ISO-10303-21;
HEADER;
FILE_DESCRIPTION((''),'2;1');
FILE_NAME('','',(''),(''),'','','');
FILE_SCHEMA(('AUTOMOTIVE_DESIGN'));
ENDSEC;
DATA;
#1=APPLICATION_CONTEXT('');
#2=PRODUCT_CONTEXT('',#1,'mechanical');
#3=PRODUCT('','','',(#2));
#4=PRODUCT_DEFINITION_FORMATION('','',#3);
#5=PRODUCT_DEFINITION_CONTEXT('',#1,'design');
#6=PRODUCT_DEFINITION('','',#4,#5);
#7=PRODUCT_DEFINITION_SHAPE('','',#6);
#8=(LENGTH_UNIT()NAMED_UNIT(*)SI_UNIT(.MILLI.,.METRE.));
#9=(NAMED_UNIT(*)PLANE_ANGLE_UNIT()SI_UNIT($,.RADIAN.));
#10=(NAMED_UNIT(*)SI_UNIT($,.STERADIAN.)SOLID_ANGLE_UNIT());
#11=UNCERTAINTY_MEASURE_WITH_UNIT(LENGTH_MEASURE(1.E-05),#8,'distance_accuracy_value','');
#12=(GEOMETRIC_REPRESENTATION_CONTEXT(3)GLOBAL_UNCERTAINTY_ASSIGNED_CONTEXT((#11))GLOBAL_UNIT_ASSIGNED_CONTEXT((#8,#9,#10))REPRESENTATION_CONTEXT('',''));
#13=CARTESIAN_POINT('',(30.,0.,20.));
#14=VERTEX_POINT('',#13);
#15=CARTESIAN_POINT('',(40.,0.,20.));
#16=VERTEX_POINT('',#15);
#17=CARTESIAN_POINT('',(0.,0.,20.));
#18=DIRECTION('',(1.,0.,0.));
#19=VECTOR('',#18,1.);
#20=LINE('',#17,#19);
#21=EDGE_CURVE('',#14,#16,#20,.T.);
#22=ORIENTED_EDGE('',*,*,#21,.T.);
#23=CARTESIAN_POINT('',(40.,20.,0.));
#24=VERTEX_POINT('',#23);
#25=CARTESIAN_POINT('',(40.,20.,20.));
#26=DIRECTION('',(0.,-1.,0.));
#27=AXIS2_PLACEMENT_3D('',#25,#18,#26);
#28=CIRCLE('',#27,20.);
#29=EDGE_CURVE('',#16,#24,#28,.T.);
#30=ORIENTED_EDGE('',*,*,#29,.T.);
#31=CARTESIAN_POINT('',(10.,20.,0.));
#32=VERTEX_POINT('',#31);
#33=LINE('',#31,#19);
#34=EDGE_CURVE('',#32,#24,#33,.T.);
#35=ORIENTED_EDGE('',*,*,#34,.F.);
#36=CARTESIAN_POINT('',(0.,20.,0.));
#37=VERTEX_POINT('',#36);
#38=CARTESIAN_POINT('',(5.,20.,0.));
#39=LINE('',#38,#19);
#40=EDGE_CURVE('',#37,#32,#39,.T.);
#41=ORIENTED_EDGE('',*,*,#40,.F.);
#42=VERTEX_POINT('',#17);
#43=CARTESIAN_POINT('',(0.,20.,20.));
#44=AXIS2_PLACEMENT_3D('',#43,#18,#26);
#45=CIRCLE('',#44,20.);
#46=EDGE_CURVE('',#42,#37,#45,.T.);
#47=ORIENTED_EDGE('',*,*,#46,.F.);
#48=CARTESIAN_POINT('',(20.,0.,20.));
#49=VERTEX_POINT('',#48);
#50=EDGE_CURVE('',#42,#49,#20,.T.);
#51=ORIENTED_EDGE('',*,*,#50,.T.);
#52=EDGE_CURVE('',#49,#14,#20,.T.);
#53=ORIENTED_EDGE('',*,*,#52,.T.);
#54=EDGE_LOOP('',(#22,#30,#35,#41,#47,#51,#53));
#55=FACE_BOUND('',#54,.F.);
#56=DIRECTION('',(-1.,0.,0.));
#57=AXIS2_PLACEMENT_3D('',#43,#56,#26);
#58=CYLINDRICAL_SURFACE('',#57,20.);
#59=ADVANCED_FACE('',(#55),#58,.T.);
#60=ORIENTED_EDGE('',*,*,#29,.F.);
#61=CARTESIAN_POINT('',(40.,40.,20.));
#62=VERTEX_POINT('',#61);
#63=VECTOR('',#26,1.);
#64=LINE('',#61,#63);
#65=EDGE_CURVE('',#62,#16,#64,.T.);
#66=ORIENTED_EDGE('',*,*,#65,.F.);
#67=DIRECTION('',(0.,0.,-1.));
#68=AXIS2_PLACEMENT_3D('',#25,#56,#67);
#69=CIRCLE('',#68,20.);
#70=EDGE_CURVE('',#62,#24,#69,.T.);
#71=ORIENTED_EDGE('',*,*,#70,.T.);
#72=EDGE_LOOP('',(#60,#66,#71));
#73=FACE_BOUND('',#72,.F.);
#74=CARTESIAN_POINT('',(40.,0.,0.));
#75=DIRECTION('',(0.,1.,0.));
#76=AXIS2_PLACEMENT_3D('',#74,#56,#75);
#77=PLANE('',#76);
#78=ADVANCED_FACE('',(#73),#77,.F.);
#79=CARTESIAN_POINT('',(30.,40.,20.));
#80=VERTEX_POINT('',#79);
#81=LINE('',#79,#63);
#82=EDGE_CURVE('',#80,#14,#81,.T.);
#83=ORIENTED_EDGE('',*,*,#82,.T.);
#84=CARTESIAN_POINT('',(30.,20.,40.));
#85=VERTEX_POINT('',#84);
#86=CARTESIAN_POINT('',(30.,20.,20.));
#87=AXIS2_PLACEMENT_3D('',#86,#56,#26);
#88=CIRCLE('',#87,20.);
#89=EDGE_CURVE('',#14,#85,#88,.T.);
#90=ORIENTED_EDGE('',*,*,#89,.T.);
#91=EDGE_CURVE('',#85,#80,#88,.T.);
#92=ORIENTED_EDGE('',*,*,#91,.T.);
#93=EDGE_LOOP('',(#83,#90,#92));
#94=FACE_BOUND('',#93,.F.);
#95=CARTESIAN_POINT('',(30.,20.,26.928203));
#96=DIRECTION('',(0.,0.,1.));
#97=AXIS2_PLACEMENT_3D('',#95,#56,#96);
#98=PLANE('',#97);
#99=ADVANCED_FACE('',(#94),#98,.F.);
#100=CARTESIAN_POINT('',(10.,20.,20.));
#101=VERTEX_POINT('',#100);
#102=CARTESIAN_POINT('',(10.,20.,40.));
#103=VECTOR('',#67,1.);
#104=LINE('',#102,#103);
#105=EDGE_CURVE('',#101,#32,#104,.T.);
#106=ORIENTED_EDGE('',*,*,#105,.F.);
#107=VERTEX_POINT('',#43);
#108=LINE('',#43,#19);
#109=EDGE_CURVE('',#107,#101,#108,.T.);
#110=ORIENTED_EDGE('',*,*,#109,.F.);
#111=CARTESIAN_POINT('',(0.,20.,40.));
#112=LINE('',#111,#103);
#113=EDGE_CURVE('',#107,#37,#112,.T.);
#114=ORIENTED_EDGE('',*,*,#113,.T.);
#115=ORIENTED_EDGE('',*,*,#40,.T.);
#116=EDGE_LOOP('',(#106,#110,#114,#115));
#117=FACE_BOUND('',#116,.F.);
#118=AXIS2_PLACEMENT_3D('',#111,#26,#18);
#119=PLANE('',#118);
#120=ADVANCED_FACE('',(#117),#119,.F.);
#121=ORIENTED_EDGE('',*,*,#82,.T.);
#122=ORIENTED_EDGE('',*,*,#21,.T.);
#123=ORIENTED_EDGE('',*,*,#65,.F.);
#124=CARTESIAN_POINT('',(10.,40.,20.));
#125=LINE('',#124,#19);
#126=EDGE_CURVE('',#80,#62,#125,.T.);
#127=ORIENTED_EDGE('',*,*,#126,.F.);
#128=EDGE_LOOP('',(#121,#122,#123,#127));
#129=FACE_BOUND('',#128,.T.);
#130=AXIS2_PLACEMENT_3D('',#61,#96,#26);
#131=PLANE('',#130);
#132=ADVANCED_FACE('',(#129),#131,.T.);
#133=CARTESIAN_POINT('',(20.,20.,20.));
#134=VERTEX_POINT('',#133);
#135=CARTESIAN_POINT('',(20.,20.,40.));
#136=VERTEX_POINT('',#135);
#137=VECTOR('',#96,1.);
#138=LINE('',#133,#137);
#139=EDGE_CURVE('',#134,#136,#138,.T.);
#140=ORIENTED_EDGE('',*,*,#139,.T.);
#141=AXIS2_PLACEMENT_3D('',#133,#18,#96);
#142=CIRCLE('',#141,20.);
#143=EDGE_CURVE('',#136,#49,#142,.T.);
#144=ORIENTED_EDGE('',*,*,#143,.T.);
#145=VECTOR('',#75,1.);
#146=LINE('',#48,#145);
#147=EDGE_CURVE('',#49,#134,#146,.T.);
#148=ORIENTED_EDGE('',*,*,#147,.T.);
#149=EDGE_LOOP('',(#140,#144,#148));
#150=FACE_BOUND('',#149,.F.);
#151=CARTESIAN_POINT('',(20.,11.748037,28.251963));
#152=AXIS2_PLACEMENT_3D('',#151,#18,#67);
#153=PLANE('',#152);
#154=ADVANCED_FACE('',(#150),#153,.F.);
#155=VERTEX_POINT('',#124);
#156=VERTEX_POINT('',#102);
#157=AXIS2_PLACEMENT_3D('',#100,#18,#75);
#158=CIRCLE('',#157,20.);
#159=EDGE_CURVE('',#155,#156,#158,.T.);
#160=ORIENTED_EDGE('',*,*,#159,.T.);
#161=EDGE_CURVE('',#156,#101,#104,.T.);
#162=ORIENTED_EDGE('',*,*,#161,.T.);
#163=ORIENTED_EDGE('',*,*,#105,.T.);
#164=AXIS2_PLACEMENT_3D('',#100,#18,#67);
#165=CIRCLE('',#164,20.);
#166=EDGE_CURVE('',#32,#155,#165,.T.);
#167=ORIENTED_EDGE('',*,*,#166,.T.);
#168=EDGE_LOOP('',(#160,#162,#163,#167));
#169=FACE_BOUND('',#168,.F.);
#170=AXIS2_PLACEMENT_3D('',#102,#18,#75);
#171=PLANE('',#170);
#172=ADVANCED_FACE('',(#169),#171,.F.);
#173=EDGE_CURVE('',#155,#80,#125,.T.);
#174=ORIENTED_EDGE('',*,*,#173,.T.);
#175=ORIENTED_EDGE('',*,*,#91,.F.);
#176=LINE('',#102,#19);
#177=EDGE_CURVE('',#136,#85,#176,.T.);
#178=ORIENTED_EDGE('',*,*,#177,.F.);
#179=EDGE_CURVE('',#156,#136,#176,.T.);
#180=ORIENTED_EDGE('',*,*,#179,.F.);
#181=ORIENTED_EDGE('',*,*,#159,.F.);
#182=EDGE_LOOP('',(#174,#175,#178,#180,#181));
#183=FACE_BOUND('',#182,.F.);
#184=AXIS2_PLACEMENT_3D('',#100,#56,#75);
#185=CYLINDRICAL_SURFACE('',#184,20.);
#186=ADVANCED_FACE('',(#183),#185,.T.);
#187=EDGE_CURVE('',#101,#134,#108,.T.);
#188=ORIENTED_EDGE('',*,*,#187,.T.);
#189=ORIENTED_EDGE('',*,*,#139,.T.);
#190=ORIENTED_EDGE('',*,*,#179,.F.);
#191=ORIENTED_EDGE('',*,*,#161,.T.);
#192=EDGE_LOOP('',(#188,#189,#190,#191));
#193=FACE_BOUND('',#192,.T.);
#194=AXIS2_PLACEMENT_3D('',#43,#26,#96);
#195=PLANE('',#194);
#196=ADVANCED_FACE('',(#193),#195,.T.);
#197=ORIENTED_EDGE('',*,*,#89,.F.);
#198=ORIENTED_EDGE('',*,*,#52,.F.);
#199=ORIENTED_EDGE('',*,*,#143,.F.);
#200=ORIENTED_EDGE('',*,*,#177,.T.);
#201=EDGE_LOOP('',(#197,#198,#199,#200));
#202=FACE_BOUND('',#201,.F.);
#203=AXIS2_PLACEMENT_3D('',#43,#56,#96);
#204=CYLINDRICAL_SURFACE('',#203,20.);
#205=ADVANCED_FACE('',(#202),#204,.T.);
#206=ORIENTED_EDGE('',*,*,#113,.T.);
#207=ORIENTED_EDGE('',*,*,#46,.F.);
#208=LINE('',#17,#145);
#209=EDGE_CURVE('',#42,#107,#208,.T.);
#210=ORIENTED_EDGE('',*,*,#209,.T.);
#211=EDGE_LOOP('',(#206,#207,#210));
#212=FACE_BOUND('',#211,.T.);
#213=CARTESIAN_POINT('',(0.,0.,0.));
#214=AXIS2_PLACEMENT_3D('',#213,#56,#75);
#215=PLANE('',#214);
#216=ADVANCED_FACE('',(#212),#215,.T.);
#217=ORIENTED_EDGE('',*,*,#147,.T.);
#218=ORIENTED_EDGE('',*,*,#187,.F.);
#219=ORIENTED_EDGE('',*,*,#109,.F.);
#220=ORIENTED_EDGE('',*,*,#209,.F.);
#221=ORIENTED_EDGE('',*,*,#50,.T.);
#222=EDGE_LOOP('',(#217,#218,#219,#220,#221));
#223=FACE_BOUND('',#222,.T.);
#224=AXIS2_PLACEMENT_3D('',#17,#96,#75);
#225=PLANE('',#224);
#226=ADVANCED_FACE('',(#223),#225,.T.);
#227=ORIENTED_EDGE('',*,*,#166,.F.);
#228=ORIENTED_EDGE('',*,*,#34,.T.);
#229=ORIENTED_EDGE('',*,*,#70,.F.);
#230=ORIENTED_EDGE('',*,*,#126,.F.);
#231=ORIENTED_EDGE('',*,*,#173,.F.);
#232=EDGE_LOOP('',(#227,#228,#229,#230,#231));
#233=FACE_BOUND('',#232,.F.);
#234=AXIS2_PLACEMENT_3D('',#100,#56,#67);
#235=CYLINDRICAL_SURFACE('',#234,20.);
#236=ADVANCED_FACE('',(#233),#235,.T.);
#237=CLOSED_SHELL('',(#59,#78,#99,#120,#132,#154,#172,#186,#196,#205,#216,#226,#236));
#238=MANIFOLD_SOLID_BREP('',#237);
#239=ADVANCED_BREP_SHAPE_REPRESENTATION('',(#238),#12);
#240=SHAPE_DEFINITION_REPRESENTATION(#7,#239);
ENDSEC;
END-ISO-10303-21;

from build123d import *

# Parameters (mm, degrees)
SKETCH1_W           = 40
SKETCH1_H           = 40
BOSS_EXTRUDE1_DEPTH = 40
SKETCH2_W           = 10
SKETCH2_H           = 20
CUT_EXTRUDE1_DEPTH  = 40
CUT_EXTRUDE2_DEPTH  = 40
CUT_EXTRUDE3_DEPTH  = 40
CUT_EXTRUDE4_DEPTH  = 20
CUT_EXTRUDE5_DEPTH  = 10


with BuildPart() as part:
    # Sketch1 → Boss-Extrude1 (new body)
    with BuildSketch(Plane.XY):
        with Locations((20, 20)):
            Rectangle(SKETCH1_W, SKETCH1_H)
    extrude(amount=BOSS_EXTRUDE1_DEPTH)

    # Sketch2 → Cut-Extrude1 (cut)
    with BuildSketch(Plane.XY.offset(40)):
        with Locations((5, 30)):
            Rectangle(SKETCH2_W, SKETCH2_H)
    extrude(amount=-CUT_EXTRUDE1_DEPTH, mode=Mode.SUBTRACT)

    # Sketch3 → Cut-Extrude2 (cut)
    with BuildSketch(Plane.ZY.offset(-10)):
        with BuildLine():
            Line((0, 40), (0, 20))
            ThreePointArc((0, 20), (5.857864376, 34.142135624), (20, 40))
            Line((20, 40), (0, 40))
        make_face()
        with BuildLine():
            Line((40, 40), (20, 40))
            ThreePointArc((20, 40), (34.142135624, 34.142135624), (40, 20))
            Line((40, 20), (40, 40))
        make_face()
    extrude(amount=-CUT_EXTRUDE2_DEPTH, mode=Mode.SUBTRACT)

    # Sketch4 → Cut-Extrude3 (cut)
    with BuildSketch(Plane.ZY):
        with BuildLine():
            ThreePointArc((20, 0), (5.857864376, 5.857864376), (0, 20))
            Line((0, 20), (0, 0))
            Line((0, 0), (20, 0))
        make_face()
        with BuildLine():
            ThreePointArc((40, 20), (34.142135624, 5.857864376), (20, 0))
            Line((20, 0), (40, 0))
            Line((40, 0), (40, 20))
        make_face()
    extrude(amount=-CUT_EXTRUDE3_DEPTH, mode=Mode.SUBTRACT)

    # Sketch5 → Cut-Extrude4 (cut)
    with BuildSketch(Plane.ZY):
        with BuildLine():
            Line((20, 0), (20, 20))
            Line((20, 20), (40, 20))
            ThreePointArc((40, 20), (34.142135624, 5.857864376), (20, 0))
        make_face()
    extrude(amount=-CUT_EXTRUDE4_DEPTH, mode=Mode.SUBTRACT)

    # Sketch6 → Cut-Extrude5 (cut)
    with BuildSketch(Plane(origin=(40, 0, 0), x_dir=(0, 0, -1), z_dir=(1, 0, 0))):
        with BuildLine():
            Line((-20, 40), (-20, 0))
            ThreePointArc((-20, 0), (-40, 20), (-20, 40))
        make_face()
    extrude(amount=-CUT_EXTRUDE5_DEPTH, mode=Mode.SUBTRACT)


solid = part.part
